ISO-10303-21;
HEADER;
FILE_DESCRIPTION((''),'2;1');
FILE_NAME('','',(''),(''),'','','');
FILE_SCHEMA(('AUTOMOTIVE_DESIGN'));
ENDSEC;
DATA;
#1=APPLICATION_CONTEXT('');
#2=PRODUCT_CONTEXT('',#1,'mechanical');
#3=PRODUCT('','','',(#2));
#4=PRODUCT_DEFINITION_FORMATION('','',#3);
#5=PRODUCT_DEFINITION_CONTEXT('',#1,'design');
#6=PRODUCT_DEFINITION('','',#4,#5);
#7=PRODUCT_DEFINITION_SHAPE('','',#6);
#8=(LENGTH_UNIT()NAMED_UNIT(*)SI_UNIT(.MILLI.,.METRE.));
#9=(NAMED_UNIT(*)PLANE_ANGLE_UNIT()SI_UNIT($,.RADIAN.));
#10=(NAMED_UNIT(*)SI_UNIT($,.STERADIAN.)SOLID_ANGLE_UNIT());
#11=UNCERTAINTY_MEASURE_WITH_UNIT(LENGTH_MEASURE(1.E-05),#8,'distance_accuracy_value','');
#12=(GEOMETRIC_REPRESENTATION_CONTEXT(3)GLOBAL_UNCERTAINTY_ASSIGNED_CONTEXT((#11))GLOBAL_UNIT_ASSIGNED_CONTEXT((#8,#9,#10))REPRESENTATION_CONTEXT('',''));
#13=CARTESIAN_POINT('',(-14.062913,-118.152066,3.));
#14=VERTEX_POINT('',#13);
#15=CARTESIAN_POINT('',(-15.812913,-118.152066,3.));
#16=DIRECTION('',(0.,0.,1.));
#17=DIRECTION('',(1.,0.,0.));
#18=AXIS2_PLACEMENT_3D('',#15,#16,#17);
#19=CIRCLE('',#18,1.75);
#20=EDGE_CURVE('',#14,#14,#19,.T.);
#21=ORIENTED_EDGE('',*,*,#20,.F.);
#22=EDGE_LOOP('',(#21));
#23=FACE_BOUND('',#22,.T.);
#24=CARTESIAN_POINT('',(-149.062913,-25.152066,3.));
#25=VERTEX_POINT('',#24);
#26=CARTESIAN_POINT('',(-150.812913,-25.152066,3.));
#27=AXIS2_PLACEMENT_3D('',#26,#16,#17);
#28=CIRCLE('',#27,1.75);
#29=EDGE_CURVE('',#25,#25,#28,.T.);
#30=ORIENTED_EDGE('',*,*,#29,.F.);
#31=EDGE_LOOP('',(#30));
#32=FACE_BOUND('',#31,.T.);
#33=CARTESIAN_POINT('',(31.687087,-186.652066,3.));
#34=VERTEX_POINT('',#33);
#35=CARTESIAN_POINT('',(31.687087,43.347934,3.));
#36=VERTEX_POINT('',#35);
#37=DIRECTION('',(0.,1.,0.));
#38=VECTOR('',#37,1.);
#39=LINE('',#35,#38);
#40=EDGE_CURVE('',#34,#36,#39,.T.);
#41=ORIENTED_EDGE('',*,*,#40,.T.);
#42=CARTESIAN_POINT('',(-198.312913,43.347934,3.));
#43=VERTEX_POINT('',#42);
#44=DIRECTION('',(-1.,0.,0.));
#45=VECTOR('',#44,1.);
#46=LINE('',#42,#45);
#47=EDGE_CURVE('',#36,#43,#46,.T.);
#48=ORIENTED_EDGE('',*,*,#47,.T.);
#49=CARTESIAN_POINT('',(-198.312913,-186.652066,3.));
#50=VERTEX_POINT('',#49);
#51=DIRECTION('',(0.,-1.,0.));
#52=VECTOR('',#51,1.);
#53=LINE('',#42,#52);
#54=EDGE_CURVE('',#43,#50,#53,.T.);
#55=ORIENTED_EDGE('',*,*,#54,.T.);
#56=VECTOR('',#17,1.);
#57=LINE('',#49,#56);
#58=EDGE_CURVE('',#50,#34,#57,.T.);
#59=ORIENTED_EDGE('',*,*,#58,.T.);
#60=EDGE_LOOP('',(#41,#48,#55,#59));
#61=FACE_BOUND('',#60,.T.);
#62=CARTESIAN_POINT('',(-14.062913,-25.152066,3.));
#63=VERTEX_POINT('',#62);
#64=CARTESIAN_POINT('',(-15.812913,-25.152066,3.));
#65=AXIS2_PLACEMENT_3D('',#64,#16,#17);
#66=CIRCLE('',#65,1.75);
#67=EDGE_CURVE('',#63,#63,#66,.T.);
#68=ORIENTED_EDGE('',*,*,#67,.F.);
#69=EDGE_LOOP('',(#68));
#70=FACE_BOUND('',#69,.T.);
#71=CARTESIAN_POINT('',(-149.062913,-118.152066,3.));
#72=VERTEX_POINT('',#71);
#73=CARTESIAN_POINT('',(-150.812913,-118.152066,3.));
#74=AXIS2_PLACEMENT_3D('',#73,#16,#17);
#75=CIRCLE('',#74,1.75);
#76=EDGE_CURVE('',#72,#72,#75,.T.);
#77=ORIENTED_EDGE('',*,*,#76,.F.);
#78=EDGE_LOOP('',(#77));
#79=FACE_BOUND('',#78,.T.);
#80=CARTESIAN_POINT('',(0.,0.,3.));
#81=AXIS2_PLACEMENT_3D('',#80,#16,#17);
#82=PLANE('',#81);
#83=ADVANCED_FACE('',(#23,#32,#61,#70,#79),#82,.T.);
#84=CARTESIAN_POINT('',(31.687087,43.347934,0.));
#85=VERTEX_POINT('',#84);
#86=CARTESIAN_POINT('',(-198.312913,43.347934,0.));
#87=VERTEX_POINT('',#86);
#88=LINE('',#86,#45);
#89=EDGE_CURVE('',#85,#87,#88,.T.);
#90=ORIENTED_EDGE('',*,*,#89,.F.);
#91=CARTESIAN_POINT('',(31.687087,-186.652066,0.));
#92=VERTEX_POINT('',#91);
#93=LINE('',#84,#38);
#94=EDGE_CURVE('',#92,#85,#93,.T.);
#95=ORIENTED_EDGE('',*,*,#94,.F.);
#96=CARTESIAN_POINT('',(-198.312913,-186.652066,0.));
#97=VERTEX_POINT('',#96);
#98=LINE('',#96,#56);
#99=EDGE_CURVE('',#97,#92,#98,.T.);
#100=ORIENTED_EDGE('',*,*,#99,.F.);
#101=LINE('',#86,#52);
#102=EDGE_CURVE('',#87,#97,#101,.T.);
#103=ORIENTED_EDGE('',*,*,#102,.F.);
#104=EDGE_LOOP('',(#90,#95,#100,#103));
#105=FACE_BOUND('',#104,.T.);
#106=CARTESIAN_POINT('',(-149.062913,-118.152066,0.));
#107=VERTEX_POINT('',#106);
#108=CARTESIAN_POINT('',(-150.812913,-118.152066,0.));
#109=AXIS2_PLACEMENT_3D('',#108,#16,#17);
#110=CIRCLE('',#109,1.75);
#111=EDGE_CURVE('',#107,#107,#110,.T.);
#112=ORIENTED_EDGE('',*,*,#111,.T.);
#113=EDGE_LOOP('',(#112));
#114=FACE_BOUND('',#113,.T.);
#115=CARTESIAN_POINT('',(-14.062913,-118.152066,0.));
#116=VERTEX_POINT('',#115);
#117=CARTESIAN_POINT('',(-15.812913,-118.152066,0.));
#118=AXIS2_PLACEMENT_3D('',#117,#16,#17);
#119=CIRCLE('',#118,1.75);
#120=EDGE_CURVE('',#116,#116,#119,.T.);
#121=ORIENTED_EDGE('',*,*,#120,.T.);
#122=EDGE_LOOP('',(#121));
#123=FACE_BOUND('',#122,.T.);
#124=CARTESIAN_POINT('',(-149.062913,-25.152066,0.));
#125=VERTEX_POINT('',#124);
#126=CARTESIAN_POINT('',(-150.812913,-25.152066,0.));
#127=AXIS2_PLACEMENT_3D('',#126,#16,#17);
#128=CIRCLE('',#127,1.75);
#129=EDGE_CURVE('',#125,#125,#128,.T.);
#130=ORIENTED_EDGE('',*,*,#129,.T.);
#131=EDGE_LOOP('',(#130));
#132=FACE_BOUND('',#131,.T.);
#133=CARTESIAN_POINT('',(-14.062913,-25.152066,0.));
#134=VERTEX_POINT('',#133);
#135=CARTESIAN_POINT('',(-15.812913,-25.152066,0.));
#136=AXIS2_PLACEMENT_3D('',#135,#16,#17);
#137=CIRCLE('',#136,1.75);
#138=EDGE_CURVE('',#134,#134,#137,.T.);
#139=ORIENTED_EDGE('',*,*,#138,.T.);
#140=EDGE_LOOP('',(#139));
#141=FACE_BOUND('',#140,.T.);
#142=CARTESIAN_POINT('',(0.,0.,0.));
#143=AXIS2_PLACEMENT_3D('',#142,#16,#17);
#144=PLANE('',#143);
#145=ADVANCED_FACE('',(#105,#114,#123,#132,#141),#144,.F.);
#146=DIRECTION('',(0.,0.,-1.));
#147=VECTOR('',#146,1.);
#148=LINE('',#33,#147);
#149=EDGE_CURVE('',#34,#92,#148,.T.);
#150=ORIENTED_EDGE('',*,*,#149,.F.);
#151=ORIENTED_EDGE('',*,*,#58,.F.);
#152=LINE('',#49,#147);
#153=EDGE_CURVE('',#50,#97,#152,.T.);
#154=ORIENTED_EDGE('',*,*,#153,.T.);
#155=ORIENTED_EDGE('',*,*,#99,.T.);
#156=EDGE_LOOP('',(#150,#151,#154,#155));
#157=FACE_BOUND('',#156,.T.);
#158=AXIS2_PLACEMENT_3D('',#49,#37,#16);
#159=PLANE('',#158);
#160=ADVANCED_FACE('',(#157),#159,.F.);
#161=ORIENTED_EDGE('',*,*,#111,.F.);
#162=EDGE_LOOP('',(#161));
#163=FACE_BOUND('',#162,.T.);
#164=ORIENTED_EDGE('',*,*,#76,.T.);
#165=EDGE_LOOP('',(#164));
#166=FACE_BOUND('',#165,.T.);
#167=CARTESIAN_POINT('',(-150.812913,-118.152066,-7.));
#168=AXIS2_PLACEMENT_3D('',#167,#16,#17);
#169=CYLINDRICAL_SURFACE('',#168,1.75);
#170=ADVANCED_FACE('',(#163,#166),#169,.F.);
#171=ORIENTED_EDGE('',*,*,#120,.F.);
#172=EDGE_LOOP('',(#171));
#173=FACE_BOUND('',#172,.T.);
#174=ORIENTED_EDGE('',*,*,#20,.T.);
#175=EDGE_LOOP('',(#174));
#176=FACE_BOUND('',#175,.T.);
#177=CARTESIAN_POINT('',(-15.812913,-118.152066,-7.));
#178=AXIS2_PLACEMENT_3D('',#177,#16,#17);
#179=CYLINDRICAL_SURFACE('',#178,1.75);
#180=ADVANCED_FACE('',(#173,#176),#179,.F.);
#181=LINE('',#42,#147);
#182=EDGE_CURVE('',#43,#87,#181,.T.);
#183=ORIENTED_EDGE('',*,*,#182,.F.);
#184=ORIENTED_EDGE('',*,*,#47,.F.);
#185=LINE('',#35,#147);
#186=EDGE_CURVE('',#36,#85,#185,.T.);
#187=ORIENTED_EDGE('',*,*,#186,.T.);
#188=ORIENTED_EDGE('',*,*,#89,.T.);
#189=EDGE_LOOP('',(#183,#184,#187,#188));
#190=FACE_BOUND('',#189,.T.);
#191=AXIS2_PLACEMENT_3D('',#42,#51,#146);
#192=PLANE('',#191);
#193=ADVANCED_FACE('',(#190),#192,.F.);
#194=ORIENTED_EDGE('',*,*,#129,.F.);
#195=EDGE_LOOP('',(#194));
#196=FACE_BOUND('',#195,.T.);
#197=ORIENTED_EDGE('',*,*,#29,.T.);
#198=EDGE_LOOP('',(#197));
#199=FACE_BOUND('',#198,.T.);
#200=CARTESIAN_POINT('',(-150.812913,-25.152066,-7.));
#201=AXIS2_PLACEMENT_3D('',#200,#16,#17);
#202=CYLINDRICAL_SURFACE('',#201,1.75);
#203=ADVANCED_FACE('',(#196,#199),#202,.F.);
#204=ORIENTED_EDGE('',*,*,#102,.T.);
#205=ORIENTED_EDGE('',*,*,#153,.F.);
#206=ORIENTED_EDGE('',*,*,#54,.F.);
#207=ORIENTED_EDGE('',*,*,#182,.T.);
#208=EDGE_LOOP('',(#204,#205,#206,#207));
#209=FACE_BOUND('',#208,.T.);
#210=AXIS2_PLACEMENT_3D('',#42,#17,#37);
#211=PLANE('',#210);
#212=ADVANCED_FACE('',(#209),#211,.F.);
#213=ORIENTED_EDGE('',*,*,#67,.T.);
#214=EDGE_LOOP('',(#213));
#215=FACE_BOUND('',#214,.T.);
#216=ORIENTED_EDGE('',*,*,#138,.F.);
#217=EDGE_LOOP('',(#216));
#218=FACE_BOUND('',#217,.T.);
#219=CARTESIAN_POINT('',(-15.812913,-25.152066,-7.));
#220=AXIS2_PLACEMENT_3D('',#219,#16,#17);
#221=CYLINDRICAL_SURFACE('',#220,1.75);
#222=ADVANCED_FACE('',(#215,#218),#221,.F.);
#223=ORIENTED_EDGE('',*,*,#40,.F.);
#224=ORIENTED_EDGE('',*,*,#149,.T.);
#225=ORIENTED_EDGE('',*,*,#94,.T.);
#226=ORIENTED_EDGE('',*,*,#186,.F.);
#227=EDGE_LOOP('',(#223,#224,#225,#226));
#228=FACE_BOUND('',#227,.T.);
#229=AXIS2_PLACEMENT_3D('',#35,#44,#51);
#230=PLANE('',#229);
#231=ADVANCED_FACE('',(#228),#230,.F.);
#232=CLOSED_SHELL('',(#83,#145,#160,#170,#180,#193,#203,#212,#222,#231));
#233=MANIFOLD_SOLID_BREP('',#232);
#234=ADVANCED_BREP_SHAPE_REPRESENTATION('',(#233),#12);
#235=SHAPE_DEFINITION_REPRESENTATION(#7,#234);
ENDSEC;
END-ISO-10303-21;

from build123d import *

# Parameters (mm, degrees)
SKETCH1_W           = 230
SKETCH1_H           = 230
BOSS_EXTRUDE1_DEPTH = 3
SKETCH2_R           = 1.75
CUT_EXTRUDE1_DEPTH  = 10


with BuildPart() as part:
    # Sketch1 → Boss-Extrude1 (new body)
    with BuildSketch(Plane.XY):
        with Locations((-83.312913379, -71.652065502)):
            Rectangle(SKETCH1_W, SKETCH1_H)
    extrude(amount=BOSS_EXTRUDE1_DEPTH)

    # Sketch2 → Cut-Extrude1 (cut)
    with BuildSketch(Plane.XY.offset(3)):
        with Locations((-15.812913379, -25.152065502)):
            Circle(SKETCH2_R)
        with Locations((-15.812913379, -118.152065502)):
            Circle(SKETCH2_R)
        with Locations((-150.812913379, -118.152065502)):
            Circle(SKETCH2_R)
        with Locations((-150.812913379, -25.152065502)):
            Circle(SKETCH2_R)
    extrude(amount=-CUT_EXTRUDE1_DEPTH, mode=Mode.SUBTRACT)


solid = part.part
